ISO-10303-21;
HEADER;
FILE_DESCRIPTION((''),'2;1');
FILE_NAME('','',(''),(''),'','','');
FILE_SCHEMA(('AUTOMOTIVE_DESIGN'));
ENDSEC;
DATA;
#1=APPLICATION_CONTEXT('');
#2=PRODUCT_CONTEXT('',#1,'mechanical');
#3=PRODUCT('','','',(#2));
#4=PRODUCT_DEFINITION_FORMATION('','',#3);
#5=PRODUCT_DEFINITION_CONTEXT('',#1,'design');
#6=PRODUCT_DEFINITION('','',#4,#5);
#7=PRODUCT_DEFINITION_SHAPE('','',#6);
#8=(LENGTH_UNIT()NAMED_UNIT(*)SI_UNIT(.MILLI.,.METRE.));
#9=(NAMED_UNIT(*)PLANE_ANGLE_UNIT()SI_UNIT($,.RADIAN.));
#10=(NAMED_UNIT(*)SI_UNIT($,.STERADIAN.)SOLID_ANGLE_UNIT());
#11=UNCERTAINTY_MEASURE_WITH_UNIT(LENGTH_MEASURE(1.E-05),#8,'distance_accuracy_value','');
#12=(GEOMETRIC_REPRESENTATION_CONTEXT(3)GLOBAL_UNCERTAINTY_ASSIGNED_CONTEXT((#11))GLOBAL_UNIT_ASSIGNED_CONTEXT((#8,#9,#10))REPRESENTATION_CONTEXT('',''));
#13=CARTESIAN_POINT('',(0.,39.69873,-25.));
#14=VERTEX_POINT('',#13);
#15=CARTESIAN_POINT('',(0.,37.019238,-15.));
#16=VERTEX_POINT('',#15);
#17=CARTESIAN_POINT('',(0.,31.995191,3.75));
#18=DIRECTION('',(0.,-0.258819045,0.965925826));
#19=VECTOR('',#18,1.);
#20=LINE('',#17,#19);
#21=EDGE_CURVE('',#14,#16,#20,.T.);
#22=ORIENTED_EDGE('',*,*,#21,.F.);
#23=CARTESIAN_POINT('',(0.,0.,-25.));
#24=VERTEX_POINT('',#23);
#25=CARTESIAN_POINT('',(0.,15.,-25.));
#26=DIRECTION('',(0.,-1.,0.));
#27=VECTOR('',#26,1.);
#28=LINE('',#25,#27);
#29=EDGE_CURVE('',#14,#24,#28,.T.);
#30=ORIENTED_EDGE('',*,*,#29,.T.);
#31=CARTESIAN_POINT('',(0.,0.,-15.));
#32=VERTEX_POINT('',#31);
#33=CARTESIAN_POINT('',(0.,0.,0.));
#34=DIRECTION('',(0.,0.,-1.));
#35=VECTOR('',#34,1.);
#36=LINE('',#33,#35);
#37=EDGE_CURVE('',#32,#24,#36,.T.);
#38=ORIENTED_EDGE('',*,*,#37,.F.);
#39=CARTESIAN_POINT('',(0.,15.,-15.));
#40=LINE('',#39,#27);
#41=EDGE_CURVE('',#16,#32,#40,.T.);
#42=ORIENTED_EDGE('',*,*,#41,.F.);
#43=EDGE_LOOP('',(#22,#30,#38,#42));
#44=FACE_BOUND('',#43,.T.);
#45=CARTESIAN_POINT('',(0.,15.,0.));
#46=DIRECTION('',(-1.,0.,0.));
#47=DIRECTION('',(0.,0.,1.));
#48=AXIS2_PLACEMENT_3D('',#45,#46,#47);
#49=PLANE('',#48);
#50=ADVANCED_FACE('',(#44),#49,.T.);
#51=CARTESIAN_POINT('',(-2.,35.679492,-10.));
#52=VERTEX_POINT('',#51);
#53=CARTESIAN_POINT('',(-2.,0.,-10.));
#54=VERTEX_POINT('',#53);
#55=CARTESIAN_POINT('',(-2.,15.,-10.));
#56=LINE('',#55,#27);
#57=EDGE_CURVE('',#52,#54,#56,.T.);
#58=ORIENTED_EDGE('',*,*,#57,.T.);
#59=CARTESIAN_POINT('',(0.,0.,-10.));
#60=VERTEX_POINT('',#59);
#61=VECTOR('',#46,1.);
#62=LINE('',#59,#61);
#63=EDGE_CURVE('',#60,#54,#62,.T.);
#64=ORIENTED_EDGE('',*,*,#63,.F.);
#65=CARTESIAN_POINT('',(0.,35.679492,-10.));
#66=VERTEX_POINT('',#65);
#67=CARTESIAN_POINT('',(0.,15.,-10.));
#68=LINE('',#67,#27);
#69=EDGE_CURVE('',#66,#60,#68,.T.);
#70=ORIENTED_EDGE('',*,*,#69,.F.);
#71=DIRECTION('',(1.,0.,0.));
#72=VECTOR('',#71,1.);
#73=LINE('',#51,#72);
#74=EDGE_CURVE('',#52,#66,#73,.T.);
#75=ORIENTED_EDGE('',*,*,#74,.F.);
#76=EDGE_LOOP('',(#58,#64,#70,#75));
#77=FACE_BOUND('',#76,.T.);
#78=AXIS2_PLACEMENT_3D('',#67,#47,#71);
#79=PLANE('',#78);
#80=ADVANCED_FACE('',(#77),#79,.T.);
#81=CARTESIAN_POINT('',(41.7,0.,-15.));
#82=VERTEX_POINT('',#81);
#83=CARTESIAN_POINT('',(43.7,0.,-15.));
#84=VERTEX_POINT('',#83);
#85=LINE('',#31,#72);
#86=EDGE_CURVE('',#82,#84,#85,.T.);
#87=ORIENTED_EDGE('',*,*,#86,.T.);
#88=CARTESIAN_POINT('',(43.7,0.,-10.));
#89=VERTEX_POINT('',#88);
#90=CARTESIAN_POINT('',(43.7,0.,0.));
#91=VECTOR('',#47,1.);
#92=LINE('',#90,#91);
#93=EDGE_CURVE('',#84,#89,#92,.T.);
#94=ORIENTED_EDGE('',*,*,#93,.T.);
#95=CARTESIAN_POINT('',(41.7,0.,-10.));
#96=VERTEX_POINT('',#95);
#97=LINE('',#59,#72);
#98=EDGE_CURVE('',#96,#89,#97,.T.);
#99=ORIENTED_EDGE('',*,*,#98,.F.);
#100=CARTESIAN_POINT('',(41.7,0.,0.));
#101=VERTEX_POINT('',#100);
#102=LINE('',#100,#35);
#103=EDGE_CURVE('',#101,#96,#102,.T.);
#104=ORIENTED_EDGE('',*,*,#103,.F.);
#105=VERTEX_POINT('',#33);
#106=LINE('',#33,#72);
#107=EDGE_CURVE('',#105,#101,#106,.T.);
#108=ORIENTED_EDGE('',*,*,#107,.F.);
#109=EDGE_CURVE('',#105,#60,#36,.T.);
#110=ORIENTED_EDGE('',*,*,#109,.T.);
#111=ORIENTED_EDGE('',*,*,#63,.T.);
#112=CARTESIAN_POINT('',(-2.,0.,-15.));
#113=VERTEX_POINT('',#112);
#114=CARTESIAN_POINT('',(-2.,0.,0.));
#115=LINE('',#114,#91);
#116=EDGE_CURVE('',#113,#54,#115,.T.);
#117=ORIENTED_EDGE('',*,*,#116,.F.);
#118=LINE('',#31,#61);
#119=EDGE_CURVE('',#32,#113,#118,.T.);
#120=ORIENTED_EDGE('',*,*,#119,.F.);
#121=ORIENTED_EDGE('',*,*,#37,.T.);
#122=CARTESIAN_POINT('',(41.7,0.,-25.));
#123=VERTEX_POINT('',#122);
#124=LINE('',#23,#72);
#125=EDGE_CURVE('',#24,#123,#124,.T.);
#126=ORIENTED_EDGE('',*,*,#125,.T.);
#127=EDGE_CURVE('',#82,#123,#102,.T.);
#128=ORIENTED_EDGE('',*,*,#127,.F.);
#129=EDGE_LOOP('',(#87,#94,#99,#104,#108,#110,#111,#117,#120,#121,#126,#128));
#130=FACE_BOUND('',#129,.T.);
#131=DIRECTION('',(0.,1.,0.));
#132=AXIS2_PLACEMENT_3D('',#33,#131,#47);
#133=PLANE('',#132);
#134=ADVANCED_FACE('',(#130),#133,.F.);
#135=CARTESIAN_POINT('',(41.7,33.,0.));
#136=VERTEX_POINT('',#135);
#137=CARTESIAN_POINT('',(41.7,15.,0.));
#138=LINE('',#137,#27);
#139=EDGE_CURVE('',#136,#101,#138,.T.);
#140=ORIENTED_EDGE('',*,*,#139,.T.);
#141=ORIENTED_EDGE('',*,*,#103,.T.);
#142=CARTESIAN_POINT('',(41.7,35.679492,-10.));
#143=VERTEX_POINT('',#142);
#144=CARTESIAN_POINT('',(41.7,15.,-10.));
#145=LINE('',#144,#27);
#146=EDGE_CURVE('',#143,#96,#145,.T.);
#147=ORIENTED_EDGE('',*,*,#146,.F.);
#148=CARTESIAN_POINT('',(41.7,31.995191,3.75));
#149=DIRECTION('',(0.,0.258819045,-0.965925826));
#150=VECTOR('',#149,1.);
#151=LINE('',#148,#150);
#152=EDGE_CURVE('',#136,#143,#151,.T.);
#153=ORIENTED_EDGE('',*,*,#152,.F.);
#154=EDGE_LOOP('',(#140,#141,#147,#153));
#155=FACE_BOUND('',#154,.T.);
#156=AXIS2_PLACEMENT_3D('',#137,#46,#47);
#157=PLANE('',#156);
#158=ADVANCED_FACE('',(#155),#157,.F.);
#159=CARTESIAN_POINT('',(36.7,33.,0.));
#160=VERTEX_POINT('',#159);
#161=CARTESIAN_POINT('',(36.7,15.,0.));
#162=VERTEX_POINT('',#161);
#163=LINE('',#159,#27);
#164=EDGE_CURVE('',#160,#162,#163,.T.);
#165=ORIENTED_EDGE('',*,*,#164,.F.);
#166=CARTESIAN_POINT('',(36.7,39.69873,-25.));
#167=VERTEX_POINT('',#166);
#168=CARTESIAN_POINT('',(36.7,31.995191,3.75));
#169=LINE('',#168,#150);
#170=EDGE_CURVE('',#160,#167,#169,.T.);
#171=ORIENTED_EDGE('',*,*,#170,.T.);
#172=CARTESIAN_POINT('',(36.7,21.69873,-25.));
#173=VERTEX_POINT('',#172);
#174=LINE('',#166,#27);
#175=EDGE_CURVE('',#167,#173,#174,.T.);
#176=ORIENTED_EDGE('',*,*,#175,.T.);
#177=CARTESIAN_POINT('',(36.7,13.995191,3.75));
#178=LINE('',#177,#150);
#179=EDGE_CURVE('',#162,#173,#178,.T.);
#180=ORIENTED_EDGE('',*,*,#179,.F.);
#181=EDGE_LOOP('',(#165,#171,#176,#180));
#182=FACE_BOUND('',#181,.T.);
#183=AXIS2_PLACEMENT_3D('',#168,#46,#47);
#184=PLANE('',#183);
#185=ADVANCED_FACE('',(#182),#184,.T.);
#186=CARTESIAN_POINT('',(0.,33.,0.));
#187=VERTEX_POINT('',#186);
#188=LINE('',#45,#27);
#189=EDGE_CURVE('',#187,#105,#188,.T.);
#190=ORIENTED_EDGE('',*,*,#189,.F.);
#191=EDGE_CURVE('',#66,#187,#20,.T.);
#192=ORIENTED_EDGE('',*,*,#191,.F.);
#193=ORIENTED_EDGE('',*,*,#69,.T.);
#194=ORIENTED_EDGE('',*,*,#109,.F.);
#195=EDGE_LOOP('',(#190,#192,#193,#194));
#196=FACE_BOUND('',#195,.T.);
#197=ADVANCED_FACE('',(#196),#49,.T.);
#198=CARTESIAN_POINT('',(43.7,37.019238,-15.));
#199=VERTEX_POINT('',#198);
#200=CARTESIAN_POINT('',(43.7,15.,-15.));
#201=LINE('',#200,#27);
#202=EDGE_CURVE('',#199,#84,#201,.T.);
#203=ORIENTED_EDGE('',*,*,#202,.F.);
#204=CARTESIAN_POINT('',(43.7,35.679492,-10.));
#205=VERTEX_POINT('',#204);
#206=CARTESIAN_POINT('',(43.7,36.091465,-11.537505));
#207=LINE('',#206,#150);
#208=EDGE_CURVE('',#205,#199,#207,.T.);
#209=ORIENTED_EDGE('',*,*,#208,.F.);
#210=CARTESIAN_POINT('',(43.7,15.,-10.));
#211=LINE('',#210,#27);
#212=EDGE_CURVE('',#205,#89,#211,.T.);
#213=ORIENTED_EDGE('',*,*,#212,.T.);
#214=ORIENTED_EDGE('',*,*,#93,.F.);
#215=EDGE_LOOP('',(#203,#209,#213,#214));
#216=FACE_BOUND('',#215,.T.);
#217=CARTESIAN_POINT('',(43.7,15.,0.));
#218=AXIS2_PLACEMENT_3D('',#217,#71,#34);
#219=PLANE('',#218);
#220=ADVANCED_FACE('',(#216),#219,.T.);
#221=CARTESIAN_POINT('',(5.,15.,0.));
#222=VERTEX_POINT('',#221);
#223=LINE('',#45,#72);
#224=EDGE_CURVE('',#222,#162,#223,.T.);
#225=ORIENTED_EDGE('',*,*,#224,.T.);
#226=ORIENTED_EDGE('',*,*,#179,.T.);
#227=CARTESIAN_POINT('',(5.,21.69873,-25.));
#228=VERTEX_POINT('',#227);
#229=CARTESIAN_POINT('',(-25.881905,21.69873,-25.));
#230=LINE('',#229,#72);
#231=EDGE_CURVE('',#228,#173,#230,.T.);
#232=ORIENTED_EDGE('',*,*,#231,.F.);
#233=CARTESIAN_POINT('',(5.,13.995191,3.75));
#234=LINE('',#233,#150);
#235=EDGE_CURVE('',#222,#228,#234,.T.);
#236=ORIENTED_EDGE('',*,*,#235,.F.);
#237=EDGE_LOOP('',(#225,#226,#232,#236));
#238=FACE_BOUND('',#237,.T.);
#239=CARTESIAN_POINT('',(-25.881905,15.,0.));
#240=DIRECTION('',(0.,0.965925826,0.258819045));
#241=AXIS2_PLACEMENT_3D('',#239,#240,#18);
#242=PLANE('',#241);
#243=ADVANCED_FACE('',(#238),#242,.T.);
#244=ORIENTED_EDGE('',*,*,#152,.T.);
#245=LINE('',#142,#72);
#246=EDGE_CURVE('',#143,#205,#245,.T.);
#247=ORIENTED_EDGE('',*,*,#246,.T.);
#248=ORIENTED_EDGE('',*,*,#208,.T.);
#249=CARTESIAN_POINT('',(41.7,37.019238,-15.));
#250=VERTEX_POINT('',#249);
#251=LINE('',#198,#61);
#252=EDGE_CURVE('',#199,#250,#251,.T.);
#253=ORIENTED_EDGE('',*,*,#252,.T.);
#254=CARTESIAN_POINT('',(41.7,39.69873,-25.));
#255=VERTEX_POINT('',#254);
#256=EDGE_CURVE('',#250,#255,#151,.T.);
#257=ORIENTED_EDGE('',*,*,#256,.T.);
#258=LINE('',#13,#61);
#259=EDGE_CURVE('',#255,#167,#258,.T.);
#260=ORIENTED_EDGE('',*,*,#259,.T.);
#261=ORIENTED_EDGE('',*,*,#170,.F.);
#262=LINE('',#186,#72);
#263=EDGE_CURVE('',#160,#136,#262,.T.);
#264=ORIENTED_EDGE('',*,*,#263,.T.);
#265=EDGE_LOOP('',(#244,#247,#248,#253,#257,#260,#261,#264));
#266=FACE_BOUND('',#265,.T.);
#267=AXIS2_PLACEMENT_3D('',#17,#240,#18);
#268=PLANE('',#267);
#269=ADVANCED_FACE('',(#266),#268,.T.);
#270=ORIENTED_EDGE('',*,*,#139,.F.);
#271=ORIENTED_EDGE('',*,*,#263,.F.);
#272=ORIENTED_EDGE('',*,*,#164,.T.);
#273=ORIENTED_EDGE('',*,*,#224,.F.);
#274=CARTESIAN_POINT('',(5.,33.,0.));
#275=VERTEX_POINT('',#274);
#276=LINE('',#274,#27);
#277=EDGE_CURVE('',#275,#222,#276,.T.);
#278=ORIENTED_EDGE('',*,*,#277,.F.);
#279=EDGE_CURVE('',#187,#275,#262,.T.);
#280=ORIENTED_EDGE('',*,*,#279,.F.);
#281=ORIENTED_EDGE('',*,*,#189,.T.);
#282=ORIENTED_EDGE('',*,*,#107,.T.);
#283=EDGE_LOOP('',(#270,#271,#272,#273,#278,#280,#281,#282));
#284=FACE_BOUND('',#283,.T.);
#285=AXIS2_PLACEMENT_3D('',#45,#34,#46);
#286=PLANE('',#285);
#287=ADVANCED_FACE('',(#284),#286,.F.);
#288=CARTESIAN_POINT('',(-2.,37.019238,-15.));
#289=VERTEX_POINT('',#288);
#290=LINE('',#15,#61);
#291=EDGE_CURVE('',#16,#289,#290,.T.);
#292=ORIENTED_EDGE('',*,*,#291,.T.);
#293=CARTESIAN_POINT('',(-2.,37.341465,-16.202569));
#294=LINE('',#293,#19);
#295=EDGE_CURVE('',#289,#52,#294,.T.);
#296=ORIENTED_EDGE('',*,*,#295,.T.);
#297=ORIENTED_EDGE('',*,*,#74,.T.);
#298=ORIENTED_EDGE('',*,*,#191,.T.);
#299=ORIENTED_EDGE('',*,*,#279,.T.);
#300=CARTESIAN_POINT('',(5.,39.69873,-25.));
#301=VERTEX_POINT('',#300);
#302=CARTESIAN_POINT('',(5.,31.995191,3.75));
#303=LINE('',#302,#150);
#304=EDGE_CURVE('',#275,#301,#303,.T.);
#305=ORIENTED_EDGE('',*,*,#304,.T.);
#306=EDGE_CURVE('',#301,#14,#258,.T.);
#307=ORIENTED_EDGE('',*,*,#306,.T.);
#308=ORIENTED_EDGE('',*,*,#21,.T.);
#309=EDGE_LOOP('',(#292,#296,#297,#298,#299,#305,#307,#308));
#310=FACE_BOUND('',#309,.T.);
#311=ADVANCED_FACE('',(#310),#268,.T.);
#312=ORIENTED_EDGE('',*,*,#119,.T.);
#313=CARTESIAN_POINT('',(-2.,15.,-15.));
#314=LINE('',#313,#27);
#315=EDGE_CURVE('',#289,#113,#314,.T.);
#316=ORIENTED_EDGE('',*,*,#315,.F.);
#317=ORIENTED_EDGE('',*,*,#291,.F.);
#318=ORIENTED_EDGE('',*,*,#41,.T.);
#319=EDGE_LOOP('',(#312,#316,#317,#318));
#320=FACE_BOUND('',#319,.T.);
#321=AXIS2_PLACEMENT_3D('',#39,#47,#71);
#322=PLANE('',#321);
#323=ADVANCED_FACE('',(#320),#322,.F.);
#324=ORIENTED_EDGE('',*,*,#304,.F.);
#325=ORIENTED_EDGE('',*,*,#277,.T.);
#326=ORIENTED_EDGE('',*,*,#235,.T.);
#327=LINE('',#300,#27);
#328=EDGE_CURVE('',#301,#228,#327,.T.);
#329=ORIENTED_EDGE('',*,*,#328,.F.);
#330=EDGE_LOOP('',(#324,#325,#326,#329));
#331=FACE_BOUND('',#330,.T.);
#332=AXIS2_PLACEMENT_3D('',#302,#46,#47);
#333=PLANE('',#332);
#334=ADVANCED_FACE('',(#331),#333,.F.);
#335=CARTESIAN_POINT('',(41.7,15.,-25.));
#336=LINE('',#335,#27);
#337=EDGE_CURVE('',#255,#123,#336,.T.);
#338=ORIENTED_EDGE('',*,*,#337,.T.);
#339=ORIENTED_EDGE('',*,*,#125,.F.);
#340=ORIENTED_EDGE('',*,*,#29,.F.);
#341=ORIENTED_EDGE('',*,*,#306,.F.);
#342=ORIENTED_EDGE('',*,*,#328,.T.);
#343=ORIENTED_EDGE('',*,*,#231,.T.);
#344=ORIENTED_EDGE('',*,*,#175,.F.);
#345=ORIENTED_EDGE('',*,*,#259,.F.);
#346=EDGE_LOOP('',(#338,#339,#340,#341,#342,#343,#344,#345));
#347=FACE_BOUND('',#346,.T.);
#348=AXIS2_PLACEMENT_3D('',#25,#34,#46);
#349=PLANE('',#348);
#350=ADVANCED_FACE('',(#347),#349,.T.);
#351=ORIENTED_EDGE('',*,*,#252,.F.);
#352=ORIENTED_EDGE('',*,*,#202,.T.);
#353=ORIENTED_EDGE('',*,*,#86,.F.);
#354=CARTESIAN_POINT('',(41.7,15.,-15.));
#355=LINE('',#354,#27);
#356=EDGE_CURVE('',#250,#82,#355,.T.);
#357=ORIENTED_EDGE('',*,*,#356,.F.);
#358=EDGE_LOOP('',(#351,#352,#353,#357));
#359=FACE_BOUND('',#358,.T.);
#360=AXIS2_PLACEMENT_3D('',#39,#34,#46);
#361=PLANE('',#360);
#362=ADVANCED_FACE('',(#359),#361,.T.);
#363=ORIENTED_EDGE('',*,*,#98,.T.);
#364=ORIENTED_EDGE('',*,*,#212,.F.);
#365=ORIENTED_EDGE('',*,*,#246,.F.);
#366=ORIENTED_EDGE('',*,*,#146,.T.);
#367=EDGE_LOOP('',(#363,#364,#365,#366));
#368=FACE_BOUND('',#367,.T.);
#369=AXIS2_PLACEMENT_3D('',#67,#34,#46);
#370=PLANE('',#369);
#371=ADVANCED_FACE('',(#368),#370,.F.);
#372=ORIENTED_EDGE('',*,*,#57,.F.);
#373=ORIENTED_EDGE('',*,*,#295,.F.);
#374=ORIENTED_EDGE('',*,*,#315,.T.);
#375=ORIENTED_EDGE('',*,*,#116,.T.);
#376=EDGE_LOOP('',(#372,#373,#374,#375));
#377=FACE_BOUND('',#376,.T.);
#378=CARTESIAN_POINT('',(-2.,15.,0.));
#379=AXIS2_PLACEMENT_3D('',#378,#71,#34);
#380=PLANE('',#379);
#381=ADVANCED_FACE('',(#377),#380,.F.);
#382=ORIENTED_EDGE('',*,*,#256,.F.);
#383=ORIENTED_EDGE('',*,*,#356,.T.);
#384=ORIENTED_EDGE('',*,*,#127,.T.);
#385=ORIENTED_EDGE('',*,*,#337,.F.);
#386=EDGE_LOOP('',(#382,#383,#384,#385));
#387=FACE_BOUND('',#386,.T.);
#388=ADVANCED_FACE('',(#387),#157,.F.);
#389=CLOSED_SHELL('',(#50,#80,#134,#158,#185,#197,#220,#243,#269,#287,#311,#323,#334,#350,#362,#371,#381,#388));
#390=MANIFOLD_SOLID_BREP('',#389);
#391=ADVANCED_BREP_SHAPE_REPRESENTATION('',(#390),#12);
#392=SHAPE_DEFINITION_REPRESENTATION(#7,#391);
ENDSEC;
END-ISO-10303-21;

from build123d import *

# Parameters (mm, degrees)
SKETCH_1_W      = 2
SKETCH_1_H      = 5
SKETCH_1_W_2    = 41.7
SKETCH_1_H_2    = 25
EXTRUDE_1_DEPTH = 15
EXTRUDE_2_DEPTH = 41.7
SKETCH_4_W      = 5
SKETCH_4_H      = 25.88190451
EXTRUDE_4_DEPTH = 18
EXTRUDE_3_REACH = 58.078
SKETCH_3_W      = 2
SKETCH_3_H      = 5


with BuildPart() as part:
    # 草圖1 → 填料-伸長1 (new body)
    with BuildSketch(Plane(origin=(0, 0, 0), x_dir=(1, 0, 0), z_dir=(0, 1, 0))):
        with Locations((-1, 12.5)):
            Rectangle(SKETCH_1_W, SKETCH_1_H)
        with Locations((20.85, 12.5)):
            Rectangle(SKETCH_1_W_2, SKETCH_1_H_2)
        with Locations((42.7, 12.5)):
            Rectangle(SKETCH_1_W, SKETCH_1_H)
    extrude(amount=EXTRUDE_1_DEPTH)

    # 草圖2 → 填料-伸長2 (add)
    with BuildSketch(Plane(origin=(41.7, 0, 0), x_dir=(0, 0, -1), z_dir=(1, 0, 0))):
        Polygon((0, 15), (25, 21.698729811), (25, 15), align=None)
    extrude(amount=-EXTRUDE_2_DEPTH)

    # 草圖4 → 填料-伸長4 (add, along a direction that is not the sketch's normal)
    with BuildSketch(Plane(origin=(0, 13.995190528, 3.75), x_dir=(1, 0, 0), z_dir=(0, 0.9659258262890681, 0.25881904510252157))):
        with Locations((2.5, 16.823237932)):
            Rectangle(SKETCH_4_W, SKETCH_4_H)
        with Locations((39.2, 16.823237932)):
            Rectangle(SKETCH_4_W, SKETCH_4_H)
    extrude(amount=EXTRUDE_4_DEPTH, dir=(0, 1, 0))

    # 填料-伸長3: up to this plane
    extrude_3_end = Plane(origin=(0, 31.995190528, 3.75), z_dir=(0, 0.9659258262890682, 0.2588190451025215))
    # 草圖3 → 填料-伸長3 (add, up to the surface)
    with BuildSketch(Plane(origin=(0, 15, 0), x_dir=(1, 0, 0), z_dir=(0, 1, 0)), mode=Mode.PRIVATE) as extrude_3_sk1:
        with Locations((42.7, 12.5)):
            Rectangle(SKETCH_3_W, SKETCH_3_H)
    extrude_3_tool1 = split(extrude(extrude_3_sk1.sketch, amount=EXTRUDE_3_REACH, mode=Mode.PRIVATE), bisect_by=extrude_3_end, keep=Keep.BOTH, mode=Mode.PRIVATE)
    add(extrude_3_tool1.solids().sort_by_distance((42.7, 15, -12.5))[0])
    # 草圖3 → 填料-伸長3 (add, up to the surface)
    with BuildSketch(Plane(origin=(0, 15, 0), x_dir=(1, 0, 0), z_dir=(0, 1, 0)), mode=Mode.PRIVATE) as extrude_3_sk2:
        with Locations((-1, 12.5)):
            Rectangle(SKETCH_3_W, SKETCH_3_H)
    extrude_3_tool2 = split(extrude(extrude_3_sk2.sketch, amount=EXTRUDE_3_REACH, mode=Mode.PRIVATE), bisect_by=extrude_3_end, keep=Keep.BOTH, mode=Mode.PRIVATE)
    add(extrude_3_tool2.solids().sort_by_distance((-1, 15, -12.5))[0])


solid = part.part
